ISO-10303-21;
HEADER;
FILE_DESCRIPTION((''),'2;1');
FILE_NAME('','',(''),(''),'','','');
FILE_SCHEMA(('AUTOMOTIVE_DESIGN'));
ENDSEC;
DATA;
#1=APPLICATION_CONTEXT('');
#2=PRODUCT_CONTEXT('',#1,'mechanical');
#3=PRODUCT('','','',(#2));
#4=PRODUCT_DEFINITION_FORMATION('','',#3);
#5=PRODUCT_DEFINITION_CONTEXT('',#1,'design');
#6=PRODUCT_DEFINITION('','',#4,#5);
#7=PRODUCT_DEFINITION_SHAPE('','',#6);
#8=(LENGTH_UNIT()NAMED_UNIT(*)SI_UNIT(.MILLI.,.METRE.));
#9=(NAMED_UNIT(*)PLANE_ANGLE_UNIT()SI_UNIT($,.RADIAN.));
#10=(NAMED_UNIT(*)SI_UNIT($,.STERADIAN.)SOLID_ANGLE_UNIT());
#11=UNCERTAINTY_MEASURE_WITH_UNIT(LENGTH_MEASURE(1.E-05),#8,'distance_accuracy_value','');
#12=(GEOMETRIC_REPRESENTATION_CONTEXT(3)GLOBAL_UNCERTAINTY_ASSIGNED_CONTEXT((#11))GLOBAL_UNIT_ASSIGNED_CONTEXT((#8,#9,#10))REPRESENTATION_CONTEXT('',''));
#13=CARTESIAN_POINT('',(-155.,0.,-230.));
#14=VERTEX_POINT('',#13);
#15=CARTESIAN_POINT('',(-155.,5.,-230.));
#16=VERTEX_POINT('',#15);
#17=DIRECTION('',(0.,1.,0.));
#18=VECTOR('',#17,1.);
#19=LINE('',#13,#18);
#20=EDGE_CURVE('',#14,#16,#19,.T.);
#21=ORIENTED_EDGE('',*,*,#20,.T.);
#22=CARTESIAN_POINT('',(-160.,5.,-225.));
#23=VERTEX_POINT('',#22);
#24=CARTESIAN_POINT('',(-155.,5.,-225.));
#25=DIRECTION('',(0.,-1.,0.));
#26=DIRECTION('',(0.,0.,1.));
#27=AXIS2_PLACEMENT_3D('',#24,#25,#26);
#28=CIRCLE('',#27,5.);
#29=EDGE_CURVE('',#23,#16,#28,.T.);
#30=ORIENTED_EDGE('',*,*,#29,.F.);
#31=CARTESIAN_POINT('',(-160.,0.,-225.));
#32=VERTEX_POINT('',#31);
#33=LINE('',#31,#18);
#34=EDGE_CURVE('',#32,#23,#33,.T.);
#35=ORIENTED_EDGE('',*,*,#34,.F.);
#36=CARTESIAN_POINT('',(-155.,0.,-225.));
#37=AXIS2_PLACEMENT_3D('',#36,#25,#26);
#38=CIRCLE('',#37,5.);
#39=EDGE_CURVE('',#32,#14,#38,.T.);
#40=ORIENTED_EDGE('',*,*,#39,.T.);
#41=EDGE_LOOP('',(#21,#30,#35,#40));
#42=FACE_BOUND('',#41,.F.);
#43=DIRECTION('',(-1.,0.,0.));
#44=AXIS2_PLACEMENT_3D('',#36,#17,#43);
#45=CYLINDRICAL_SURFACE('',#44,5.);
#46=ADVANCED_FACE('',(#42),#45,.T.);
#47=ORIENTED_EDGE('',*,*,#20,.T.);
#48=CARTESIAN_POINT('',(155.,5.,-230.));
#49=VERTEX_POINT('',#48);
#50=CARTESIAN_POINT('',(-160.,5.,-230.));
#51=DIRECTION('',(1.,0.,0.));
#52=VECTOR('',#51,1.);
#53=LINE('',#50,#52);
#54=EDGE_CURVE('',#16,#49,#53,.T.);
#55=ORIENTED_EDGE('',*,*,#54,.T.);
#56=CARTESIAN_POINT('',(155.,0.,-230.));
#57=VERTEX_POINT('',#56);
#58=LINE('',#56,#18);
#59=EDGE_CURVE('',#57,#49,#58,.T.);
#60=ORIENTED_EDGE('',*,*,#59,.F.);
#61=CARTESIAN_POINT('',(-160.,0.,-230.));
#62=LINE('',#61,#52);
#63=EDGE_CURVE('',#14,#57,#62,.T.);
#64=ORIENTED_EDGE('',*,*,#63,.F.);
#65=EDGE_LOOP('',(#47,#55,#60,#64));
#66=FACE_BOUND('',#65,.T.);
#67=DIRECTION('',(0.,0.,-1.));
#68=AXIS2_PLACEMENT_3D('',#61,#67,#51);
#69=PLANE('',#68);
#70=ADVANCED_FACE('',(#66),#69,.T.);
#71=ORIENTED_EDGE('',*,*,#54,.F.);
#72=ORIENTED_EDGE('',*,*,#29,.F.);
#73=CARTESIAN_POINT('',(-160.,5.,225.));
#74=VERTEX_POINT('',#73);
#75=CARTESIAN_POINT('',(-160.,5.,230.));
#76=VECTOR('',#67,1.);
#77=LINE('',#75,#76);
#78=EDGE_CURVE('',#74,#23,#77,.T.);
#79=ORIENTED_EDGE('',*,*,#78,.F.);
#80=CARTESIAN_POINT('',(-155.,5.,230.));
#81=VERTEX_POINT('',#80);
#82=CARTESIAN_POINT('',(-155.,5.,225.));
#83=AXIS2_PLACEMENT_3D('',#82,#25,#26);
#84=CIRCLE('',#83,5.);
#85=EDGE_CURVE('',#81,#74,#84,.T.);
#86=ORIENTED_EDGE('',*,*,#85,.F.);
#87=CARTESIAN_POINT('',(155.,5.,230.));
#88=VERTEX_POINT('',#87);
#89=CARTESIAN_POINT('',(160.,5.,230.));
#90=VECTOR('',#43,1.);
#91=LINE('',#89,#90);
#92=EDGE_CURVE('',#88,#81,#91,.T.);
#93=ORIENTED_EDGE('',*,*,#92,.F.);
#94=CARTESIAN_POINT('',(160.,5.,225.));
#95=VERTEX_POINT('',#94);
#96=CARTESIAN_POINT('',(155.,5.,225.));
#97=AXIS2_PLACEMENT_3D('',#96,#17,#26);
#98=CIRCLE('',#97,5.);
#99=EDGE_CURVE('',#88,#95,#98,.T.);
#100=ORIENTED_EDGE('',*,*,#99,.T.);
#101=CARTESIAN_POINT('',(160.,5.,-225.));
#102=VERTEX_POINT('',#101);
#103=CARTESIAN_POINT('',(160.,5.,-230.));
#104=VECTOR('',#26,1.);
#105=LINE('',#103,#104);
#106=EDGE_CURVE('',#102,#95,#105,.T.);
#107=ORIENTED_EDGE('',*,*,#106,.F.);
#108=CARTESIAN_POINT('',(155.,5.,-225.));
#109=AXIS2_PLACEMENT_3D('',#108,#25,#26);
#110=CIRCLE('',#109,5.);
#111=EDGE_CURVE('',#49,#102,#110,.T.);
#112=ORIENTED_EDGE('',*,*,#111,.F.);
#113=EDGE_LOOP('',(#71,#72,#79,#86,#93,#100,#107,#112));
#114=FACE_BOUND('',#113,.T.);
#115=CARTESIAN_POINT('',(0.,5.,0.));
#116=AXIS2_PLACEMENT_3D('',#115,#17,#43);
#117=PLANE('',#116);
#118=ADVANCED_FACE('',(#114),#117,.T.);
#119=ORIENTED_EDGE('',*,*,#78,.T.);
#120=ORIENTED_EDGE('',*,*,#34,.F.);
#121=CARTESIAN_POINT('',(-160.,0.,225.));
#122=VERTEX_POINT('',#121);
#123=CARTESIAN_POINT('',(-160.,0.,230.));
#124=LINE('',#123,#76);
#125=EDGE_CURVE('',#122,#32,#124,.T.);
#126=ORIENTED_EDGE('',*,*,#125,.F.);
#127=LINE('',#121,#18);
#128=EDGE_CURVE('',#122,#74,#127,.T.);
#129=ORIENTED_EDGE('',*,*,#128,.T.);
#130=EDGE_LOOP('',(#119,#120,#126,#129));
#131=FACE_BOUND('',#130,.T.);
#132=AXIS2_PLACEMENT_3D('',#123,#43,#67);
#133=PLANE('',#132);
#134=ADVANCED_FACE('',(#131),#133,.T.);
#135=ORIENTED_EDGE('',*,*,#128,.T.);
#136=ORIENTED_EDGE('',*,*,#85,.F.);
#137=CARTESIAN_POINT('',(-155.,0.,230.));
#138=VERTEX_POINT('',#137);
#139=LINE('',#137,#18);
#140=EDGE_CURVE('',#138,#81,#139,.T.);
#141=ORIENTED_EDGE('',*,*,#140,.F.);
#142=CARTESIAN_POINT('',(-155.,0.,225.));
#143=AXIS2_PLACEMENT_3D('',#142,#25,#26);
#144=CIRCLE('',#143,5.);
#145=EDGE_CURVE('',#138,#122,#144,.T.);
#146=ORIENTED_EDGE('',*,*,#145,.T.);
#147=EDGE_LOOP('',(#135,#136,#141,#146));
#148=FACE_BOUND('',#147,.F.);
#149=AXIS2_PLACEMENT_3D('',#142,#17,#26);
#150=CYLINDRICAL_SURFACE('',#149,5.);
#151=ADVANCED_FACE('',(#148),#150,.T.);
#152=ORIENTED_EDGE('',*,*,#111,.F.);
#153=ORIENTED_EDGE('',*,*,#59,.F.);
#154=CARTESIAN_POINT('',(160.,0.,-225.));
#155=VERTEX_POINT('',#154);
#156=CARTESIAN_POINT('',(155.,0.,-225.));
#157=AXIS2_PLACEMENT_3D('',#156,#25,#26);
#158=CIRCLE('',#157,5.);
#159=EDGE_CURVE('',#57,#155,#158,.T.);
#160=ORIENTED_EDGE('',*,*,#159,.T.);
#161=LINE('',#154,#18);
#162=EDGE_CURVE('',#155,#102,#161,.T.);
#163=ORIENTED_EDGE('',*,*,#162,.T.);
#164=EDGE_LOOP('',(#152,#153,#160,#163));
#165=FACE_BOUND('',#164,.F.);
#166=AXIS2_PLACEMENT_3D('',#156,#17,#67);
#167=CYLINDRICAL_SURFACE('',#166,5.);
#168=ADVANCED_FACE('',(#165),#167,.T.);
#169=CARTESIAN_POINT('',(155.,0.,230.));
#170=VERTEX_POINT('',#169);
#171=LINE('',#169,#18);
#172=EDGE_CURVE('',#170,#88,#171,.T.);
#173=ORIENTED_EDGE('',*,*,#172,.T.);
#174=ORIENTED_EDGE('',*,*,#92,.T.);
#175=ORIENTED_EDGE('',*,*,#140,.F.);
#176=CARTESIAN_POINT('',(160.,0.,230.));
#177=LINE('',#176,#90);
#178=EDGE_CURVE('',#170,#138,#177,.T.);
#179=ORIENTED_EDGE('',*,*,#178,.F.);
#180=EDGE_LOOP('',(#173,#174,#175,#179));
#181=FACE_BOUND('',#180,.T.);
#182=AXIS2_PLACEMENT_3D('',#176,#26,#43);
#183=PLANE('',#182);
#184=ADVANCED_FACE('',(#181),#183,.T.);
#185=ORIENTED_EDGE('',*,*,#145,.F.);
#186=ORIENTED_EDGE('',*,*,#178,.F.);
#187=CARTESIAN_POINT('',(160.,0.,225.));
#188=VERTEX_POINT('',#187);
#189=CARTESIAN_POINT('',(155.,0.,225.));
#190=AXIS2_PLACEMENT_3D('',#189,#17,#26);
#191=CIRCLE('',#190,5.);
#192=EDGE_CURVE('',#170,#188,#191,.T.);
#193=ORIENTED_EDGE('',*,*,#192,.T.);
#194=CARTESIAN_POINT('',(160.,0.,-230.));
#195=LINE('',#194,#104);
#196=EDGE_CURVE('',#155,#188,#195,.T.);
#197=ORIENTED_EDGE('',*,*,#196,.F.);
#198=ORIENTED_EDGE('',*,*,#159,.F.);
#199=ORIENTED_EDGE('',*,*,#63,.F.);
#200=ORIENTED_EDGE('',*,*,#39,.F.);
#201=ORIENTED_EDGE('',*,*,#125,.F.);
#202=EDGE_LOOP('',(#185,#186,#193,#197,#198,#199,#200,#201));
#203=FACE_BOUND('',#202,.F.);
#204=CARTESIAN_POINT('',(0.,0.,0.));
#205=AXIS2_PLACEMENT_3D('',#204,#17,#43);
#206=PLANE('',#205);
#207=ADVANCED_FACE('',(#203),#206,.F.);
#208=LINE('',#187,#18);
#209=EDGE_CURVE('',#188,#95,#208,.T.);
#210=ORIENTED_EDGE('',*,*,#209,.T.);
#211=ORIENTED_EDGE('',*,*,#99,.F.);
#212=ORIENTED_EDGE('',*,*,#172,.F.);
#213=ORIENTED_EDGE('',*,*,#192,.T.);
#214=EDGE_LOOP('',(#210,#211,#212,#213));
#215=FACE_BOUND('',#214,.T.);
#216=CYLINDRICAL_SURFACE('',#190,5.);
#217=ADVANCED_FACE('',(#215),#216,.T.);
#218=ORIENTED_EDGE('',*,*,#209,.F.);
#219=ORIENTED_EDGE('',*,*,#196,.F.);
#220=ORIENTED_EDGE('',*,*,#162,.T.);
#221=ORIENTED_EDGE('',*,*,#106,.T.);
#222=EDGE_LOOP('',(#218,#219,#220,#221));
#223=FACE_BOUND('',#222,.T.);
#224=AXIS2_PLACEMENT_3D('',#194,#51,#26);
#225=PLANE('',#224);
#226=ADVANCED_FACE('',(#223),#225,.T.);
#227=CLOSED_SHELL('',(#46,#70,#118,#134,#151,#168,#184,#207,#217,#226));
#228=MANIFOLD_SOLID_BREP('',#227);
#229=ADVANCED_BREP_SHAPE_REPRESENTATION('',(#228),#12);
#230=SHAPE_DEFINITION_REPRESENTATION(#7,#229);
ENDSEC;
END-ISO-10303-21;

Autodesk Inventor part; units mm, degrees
ref_plane "YZ Plane" through (0, 0, 0) normal (1, 0, 0) x (0, 1, 0)
ref_plane "XZ Plane" through (0, 0, 0) normal (0, 1, 0) x (-1, 0, 0)
ref_plane "XY Plane" through (0, 0, 0) normal (0, 0, 1) x (1, 0, 0)
sketch "草圖1" plane through (0, 0, 0) normal (0, 1, 0) x (-1, 0, 0)
  line L0 (-160, 230) -> (160, 230)
  line L1 (160, 230) -> (160, -230)
  line L2 (160, -230) -> (-160, -230)
  line L3 (-160, -230) -> (-160, 230)
  line L4 (-160, 230) -> (160, -230) construction
  line L5 (160, 230) -> (-160, -230) construction
  point P0 (0, 0)
  dimension "d0" = 320
  dimension "d1" = 460
extrude "擠出1" add sketch "草圖1" along normal blind 5
fillet "圓角1" radius 5 4 edges at (160, 2.5, 230) (160, 2.5, -230) (-160, 2.5, -230) (-160, 2.5, 230)
properties part number "演講稿"
